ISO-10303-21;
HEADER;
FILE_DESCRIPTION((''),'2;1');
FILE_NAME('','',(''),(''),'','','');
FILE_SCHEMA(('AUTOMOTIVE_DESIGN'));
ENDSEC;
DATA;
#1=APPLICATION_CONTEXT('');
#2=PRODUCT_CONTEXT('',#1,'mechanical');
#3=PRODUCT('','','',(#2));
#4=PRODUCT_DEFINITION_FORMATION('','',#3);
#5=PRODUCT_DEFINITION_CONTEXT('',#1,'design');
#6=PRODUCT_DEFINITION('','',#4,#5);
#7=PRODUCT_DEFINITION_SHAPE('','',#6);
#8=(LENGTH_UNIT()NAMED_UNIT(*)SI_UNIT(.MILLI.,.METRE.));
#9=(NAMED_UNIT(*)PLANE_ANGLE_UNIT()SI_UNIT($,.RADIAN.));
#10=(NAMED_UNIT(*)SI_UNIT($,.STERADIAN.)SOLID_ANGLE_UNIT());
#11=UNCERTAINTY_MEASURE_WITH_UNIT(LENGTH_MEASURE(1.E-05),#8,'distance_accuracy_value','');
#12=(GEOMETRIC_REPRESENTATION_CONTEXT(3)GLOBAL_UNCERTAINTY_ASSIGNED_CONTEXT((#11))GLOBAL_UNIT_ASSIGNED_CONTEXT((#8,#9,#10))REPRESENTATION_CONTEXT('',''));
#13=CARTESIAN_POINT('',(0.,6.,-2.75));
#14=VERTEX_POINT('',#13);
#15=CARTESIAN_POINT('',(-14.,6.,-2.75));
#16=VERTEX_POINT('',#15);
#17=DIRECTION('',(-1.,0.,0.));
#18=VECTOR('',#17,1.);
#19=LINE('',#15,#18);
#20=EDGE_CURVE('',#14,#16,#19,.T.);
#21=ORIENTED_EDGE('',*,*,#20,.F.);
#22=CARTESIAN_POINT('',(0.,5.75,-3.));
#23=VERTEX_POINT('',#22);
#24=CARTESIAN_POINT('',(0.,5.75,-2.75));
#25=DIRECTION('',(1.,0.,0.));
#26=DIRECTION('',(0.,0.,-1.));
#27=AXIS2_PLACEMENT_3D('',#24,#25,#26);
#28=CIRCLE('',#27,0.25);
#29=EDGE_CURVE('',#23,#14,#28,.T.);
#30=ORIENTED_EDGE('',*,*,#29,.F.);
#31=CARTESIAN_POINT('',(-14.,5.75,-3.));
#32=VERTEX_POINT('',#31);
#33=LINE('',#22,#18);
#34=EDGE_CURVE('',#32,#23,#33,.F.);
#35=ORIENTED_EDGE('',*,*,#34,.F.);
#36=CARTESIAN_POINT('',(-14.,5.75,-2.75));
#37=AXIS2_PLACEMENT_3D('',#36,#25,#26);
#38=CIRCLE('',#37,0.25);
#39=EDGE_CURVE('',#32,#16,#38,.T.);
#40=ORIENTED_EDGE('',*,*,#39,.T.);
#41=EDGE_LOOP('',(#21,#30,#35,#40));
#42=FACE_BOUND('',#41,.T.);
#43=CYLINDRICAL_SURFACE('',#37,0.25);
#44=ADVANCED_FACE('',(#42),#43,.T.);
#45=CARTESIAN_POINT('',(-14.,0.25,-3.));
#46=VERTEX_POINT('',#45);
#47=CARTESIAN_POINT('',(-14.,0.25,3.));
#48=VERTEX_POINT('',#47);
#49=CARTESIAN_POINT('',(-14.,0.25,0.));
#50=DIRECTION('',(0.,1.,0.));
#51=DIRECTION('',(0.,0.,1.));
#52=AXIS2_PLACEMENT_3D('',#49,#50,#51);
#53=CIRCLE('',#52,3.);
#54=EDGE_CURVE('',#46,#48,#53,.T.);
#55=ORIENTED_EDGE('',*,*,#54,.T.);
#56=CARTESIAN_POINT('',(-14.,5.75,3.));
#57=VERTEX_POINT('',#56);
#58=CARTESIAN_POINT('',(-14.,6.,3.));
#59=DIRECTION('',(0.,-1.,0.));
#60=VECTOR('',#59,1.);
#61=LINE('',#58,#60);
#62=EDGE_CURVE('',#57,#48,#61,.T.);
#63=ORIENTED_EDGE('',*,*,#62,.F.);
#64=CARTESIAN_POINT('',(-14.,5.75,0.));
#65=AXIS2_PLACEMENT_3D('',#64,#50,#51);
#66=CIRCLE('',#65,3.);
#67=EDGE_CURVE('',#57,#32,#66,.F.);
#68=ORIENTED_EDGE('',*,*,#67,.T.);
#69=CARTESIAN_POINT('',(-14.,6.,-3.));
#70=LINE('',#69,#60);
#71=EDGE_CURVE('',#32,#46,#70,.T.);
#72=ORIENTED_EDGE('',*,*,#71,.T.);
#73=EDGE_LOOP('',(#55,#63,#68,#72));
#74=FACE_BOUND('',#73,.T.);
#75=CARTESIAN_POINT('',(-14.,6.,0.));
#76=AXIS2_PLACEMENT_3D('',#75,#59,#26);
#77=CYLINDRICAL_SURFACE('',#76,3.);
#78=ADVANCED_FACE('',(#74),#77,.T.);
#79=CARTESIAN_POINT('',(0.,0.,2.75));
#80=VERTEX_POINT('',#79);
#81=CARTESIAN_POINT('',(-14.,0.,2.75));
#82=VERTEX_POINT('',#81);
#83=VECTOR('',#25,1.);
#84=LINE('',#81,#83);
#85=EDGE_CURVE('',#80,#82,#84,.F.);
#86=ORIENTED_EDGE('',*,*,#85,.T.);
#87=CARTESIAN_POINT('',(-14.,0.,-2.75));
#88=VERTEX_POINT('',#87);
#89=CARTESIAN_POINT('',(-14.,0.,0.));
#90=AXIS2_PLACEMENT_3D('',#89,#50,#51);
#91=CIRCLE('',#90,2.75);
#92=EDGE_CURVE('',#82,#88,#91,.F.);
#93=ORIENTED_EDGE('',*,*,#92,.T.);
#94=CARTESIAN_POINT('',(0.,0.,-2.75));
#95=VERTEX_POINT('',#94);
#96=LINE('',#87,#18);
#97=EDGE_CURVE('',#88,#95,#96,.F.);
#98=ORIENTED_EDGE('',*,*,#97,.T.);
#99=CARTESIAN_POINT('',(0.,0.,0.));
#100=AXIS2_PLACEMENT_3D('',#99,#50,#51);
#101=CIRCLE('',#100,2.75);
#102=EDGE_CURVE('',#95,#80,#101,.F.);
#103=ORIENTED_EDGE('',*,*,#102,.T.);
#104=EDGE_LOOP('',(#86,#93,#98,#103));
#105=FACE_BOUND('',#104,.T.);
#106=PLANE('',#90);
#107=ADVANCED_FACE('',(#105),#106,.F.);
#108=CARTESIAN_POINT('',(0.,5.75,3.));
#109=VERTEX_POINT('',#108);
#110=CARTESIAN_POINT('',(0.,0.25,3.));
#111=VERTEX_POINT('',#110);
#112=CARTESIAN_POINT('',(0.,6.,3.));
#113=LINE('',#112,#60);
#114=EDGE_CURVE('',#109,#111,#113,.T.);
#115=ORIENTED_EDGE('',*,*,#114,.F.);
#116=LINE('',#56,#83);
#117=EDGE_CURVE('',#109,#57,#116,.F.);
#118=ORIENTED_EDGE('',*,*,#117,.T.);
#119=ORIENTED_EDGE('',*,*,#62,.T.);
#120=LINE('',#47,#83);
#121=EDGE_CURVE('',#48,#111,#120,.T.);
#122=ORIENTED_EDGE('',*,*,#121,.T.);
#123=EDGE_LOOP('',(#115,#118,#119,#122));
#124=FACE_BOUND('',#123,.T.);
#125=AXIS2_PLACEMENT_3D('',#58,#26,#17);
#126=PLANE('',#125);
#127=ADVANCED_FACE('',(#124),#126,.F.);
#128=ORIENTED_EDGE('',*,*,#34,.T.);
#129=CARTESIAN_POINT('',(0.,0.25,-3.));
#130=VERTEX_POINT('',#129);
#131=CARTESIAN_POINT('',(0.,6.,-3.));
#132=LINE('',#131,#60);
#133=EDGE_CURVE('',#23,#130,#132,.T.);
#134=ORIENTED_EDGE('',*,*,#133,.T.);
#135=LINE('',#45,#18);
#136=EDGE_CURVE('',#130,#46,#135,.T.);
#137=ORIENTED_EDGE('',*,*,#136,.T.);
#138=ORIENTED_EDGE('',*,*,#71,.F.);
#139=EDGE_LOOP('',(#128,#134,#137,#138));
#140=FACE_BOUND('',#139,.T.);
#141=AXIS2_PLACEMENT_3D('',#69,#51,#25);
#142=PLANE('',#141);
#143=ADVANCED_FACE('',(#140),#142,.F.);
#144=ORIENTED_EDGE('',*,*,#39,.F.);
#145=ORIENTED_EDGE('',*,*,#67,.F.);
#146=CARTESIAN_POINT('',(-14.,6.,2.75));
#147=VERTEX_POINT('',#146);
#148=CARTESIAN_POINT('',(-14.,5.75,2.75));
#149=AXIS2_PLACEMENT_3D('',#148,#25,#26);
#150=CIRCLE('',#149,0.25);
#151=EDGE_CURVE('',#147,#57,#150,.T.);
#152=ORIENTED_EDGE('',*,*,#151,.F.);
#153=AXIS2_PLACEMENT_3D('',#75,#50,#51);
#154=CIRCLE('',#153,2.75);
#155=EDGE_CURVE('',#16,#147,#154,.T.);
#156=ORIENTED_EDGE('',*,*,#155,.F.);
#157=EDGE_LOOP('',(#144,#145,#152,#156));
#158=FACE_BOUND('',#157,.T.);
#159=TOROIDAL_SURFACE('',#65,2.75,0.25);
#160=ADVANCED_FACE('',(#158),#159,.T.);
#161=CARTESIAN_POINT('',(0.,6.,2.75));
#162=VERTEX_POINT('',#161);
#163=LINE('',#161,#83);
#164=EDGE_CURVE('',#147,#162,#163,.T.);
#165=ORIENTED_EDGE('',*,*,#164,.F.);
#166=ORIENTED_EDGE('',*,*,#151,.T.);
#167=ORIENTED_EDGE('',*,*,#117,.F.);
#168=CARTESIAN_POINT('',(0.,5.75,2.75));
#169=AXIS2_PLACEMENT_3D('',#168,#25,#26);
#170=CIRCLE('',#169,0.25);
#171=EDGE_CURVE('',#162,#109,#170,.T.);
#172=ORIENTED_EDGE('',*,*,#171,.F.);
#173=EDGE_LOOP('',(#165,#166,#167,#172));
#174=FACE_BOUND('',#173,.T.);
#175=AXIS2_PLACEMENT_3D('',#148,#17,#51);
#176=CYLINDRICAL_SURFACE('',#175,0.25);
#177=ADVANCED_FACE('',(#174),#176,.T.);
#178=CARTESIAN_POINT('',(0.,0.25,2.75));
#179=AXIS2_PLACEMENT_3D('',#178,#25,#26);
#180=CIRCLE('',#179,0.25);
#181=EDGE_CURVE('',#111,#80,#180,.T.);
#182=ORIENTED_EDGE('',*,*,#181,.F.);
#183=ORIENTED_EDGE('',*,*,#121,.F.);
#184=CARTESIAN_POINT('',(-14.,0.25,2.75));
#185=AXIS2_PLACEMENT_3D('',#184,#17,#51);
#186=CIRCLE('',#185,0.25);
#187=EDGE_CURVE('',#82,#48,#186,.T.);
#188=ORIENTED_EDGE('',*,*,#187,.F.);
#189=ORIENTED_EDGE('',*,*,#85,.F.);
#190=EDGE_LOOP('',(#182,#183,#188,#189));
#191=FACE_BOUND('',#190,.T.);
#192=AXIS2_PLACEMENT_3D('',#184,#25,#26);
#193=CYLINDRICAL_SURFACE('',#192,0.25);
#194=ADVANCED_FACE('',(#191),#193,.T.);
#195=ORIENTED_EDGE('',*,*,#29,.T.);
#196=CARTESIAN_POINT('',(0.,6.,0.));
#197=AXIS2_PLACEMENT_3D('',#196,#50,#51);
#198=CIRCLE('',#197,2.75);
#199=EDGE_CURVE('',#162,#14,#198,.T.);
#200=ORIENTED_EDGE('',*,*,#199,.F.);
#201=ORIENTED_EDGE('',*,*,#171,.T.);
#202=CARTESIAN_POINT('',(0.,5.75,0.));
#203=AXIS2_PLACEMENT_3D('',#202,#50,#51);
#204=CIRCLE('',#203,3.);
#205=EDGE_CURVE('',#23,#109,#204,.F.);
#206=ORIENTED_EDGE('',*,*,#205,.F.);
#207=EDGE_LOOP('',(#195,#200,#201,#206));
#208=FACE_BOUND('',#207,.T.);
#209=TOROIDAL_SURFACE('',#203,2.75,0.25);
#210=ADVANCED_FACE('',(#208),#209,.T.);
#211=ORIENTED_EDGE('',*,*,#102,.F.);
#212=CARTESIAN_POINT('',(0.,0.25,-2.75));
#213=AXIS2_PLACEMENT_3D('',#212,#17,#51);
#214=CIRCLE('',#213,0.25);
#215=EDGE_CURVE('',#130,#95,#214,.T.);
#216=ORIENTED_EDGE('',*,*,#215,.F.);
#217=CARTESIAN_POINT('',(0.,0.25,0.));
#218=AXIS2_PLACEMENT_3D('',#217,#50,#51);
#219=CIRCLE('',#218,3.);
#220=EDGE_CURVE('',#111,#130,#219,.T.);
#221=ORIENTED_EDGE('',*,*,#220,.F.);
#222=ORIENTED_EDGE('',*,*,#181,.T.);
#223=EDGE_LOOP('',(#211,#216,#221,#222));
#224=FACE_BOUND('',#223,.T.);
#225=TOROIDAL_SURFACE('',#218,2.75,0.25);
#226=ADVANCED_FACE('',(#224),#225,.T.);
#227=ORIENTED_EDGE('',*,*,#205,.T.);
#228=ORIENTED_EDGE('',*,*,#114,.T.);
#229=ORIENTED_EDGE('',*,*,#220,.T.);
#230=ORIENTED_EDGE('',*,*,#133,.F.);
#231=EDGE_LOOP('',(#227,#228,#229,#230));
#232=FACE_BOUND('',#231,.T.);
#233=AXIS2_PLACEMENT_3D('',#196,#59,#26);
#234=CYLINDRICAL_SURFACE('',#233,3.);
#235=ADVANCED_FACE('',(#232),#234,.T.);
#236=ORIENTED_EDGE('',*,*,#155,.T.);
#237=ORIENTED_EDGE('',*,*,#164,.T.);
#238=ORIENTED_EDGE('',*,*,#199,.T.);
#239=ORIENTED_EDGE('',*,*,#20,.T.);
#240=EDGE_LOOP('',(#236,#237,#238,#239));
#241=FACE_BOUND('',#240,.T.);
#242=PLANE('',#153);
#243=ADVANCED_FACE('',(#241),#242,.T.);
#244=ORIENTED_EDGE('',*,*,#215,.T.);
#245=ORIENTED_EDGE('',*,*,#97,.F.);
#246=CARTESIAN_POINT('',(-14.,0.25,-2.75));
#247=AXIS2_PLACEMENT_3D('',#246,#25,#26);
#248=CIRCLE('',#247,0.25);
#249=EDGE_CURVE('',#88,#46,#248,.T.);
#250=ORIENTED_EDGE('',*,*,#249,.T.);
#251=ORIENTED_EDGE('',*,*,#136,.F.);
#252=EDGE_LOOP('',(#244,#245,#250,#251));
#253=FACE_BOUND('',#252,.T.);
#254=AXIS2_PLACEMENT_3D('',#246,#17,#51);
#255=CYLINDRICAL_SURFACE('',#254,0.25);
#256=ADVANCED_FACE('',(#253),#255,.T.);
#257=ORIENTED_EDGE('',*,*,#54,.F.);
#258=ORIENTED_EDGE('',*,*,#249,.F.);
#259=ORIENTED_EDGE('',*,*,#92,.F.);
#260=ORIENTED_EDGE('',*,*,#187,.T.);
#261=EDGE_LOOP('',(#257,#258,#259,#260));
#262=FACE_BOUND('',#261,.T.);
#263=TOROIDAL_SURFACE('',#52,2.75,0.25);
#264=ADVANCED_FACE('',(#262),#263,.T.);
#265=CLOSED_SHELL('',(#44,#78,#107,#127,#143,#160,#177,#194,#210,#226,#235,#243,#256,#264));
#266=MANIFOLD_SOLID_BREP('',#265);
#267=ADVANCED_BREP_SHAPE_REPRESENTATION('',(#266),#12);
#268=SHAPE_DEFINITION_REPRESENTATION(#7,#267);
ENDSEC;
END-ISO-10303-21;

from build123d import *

# Parameters (mm, degrees)
EXTRUDE1_DEPTH = 6
FILLET1_R      = 0.25


with BuildPart() as part:
    # Sketch1 → Extrude1 (new body)
    with BuildSketch(Plane(origin=(0, 0, 0), x_dir=(1, 0, 0), z_dir=(0, 1, 0))):
        with BuildLine():
            Line((-14, 3), (0, 3))
            ThreePointArc((0, 3), (3, 0), (0, -3))
            Line((0, -3), (-14, -3))
            ThreePointArc((-14, -3), (-17, 0), (-14, 3))
        make_face()
    extrude(amount=EXTRUDE1_DEPTH)

    # Fillet1
    fillet1_edges = [part.edges().sort_by_distance(p)[0] for p in [
        (3, 6, 0),
        (-7, 6, -3),
        (-17, 6, 0),
        (-7, 0, -3),
        (3, 0, 0),
        (-7, 0, 3),
        (-17, 0, 0),
        (-7, 6, 3),
    ]]
    fillet(fillet1_edges, radius=FILLET1_R)


solid = part.part
